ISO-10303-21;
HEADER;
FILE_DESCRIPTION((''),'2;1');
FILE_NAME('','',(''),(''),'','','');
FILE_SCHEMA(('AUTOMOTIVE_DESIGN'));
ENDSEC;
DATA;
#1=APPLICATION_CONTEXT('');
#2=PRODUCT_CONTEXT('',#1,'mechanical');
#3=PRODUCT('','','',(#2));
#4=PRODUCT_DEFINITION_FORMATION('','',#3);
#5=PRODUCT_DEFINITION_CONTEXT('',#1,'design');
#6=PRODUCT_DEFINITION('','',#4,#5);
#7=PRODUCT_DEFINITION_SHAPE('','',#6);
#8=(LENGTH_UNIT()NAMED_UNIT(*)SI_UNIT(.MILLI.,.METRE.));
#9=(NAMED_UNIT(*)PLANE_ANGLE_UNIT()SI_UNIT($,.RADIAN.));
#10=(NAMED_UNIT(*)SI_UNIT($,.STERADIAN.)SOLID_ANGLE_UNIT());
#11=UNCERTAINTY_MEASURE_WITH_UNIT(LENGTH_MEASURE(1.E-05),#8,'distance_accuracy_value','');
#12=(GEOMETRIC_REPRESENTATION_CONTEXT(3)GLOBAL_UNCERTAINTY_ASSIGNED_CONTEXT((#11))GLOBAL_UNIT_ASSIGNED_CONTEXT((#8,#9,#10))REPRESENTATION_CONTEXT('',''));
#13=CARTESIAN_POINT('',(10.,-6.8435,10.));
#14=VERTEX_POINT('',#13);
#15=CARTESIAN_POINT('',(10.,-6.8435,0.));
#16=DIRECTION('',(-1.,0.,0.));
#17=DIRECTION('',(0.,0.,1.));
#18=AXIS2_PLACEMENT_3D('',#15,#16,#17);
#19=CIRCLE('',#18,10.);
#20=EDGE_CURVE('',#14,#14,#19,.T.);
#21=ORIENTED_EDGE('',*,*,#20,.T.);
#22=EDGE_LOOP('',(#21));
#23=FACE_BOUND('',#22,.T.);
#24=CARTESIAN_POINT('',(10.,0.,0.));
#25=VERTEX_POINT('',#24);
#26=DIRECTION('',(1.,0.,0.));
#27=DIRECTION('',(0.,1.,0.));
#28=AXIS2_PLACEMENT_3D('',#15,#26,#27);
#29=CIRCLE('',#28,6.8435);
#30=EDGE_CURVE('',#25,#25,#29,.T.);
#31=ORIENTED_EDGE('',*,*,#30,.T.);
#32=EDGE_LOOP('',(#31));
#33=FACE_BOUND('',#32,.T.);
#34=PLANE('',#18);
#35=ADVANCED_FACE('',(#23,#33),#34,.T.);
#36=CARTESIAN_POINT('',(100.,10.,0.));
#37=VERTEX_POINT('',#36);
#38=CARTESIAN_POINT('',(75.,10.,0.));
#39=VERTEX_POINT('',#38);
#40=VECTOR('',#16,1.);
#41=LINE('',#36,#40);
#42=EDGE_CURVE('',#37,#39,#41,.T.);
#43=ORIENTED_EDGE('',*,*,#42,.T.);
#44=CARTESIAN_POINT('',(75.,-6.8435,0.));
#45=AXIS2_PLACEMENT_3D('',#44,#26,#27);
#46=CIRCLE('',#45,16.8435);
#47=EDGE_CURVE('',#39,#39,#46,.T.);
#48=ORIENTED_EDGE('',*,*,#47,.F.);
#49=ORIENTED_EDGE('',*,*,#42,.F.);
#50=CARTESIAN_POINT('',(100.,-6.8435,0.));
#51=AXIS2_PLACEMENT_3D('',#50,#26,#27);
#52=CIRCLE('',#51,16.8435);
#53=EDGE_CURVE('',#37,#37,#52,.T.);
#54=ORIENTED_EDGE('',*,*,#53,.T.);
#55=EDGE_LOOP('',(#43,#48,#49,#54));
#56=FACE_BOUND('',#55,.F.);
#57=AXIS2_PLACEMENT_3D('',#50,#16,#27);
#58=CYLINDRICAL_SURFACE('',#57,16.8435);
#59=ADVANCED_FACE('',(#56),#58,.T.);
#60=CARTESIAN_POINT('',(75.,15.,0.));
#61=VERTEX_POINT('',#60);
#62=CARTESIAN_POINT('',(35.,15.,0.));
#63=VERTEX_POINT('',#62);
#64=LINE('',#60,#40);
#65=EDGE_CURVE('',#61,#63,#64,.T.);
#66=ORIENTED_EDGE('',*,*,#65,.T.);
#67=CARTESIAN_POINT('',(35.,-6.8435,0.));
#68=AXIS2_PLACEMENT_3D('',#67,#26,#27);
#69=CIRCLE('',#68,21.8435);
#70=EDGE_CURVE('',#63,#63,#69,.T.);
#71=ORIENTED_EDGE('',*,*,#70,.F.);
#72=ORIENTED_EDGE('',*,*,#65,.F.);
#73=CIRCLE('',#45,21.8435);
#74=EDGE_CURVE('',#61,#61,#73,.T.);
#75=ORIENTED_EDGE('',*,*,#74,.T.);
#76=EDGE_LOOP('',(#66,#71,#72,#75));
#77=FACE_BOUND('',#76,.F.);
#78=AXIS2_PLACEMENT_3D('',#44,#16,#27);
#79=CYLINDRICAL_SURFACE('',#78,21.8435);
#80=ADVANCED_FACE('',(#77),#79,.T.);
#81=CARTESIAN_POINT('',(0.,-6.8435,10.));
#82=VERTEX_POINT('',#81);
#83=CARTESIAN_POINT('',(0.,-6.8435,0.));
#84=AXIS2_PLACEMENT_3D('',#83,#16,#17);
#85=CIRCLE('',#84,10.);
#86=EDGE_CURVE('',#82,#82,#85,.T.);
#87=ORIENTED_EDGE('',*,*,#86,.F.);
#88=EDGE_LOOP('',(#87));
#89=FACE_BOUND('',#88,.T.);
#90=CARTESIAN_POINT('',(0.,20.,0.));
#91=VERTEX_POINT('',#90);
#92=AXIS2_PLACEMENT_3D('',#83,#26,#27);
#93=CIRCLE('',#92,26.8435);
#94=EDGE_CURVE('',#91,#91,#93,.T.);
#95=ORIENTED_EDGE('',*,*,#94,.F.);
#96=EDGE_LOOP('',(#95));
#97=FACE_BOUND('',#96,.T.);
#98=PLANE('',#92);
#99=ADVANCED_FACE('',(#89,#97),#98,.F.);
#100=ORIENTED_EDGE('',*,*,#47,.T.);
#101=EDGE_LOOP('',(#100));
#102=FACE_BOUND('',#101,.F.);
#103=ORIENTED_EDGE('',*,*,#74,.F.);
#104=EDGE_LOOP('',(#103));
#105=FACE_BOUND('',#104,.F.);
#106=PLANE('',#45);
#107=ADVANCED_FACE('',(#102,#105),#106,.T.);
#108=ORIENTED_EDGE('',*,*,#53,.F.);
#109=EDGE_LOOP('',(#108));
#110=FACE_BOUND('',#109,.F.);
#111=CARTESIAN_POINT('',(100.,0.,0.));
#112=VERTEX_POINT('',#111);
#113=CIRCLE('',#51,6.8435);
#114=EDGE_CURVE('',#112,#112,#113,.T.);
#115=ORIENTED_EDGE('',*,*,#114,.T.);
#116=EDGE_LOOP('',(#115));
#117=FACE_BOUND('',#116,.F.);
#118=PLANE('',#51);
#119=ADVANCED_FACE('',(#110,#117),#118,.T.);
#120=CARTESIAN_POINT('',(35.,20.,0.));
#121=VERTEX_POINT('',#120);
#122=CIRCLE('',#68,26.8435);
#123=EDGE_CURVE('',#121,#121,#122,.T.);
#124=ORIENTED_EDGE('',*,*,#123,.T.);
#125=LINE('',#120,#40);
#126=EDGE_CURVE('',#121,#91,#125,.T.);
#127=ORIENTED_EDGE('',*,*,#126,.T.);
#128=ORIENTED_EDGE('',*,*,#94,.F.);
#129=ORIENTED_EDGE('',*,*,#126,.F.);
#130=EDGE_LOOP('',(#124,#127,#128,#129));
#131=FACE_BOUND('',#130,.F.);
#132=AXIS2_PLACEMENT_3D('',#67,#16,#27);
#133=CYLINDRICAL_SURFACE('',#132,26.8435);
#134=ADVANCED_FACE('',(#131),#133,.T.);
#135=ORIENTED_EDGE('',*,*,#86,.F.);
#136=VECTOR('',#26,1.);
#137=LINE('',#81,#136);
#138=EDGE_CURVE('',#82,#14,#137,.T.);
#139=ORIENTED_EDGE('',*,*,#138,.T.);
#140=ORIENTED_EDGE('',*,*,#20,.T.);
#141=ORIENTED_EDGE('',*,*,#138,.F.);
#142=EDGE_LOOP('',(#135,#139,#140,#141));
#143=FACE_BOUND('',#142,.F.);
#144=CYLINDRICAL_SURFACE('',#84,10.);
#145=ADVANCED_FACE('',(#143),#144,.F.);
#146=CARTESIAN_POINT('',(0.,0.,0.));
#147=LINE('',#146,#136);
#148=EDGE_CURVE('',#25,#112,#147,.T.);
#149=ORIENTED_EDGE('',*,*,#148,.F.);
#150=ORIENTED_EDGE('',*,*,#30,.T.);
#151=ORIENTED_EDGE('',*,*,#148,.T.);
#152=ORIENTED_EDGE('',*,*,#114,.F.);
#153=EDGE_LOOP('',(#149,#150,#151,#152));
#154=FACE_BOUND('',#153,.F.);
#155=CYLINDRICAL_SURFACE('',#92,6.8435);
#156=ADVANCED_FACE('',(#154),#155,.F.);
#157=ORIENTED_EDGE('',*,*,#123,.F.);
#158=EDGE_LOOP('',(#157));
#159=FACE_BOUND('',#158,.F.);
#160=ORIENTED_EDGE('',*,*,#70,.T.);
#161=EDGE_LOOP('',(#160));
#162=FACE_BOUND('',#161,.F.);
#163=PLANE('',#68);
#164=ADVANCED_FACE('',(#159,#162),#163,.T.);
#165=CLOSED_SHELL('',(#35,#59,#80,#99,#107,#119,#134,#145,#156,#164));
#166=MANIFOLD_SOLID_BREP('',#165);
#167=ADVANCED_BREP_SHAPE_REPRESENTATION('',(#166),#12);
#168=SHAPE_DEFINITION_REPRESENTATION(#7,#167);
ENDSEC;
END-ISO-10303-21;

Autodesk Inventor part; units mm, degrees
ref_plane "YZ Plane" through (0, 0, 0) normal (1, 0, 0) x (0, 1, 0)
ref_plane "XZ Plane" through (0, 0, 0) normal (0, 1, 0) x (-1, 0, 0)
ref_plane "XY Plane" through (0, 0, 0) normal (0, 0, 1) x (1, 0, 0)
sketch "Esboço1" plane through (0, 0, 0) normal (0, 0, 1) x (1, 0, 0)
  line L0 (0, 0) -> (100, 0)
  line L1 (100, 0) -> (100, 10)
  line L2 (100, 10) -> (75, 10)
  line L3 (75, 10) -> (75, 15)
  line L4 (75, 15) -> (35, 15)
  line L5 (35, 15) -> (35, 20)
  line L6 (35, 20) -> (0, 20)
  line L7 (0, 0) -> (0, 20)
  line L8 (0, 0) -> (0, -6.8435) construction
  line L9 (0, -6.8435) -> (100, -6.8435) construction
  dimension "d1" = 100
  dimension "d2" = 10
  dimension "d3" = 25
  dimension "d4" = 5
  dimension "d5" = 40
  dimension "d6" = 5
revolve "Revolução1" add sketch "Esboço1" angle 360 about axis through (0, -6.8435, 0) along (1, 0, 0)
sketch "Esboço3" plane through (0, -6.8435, 0) normal (-1, 0, 0) x (0, 0, 1)
  circle A0 centre (0, 0) radius 6.8435 projected
  circle A1 centre (0, 0) radius 10
  point P0 (0, 6.8435)
  dimension "d8" = 20
extrude "Extrusão1" cut sketch "Esboço3" against normal blind 10 contours A0 | A1
properties part number "Peça5-Rubia"
